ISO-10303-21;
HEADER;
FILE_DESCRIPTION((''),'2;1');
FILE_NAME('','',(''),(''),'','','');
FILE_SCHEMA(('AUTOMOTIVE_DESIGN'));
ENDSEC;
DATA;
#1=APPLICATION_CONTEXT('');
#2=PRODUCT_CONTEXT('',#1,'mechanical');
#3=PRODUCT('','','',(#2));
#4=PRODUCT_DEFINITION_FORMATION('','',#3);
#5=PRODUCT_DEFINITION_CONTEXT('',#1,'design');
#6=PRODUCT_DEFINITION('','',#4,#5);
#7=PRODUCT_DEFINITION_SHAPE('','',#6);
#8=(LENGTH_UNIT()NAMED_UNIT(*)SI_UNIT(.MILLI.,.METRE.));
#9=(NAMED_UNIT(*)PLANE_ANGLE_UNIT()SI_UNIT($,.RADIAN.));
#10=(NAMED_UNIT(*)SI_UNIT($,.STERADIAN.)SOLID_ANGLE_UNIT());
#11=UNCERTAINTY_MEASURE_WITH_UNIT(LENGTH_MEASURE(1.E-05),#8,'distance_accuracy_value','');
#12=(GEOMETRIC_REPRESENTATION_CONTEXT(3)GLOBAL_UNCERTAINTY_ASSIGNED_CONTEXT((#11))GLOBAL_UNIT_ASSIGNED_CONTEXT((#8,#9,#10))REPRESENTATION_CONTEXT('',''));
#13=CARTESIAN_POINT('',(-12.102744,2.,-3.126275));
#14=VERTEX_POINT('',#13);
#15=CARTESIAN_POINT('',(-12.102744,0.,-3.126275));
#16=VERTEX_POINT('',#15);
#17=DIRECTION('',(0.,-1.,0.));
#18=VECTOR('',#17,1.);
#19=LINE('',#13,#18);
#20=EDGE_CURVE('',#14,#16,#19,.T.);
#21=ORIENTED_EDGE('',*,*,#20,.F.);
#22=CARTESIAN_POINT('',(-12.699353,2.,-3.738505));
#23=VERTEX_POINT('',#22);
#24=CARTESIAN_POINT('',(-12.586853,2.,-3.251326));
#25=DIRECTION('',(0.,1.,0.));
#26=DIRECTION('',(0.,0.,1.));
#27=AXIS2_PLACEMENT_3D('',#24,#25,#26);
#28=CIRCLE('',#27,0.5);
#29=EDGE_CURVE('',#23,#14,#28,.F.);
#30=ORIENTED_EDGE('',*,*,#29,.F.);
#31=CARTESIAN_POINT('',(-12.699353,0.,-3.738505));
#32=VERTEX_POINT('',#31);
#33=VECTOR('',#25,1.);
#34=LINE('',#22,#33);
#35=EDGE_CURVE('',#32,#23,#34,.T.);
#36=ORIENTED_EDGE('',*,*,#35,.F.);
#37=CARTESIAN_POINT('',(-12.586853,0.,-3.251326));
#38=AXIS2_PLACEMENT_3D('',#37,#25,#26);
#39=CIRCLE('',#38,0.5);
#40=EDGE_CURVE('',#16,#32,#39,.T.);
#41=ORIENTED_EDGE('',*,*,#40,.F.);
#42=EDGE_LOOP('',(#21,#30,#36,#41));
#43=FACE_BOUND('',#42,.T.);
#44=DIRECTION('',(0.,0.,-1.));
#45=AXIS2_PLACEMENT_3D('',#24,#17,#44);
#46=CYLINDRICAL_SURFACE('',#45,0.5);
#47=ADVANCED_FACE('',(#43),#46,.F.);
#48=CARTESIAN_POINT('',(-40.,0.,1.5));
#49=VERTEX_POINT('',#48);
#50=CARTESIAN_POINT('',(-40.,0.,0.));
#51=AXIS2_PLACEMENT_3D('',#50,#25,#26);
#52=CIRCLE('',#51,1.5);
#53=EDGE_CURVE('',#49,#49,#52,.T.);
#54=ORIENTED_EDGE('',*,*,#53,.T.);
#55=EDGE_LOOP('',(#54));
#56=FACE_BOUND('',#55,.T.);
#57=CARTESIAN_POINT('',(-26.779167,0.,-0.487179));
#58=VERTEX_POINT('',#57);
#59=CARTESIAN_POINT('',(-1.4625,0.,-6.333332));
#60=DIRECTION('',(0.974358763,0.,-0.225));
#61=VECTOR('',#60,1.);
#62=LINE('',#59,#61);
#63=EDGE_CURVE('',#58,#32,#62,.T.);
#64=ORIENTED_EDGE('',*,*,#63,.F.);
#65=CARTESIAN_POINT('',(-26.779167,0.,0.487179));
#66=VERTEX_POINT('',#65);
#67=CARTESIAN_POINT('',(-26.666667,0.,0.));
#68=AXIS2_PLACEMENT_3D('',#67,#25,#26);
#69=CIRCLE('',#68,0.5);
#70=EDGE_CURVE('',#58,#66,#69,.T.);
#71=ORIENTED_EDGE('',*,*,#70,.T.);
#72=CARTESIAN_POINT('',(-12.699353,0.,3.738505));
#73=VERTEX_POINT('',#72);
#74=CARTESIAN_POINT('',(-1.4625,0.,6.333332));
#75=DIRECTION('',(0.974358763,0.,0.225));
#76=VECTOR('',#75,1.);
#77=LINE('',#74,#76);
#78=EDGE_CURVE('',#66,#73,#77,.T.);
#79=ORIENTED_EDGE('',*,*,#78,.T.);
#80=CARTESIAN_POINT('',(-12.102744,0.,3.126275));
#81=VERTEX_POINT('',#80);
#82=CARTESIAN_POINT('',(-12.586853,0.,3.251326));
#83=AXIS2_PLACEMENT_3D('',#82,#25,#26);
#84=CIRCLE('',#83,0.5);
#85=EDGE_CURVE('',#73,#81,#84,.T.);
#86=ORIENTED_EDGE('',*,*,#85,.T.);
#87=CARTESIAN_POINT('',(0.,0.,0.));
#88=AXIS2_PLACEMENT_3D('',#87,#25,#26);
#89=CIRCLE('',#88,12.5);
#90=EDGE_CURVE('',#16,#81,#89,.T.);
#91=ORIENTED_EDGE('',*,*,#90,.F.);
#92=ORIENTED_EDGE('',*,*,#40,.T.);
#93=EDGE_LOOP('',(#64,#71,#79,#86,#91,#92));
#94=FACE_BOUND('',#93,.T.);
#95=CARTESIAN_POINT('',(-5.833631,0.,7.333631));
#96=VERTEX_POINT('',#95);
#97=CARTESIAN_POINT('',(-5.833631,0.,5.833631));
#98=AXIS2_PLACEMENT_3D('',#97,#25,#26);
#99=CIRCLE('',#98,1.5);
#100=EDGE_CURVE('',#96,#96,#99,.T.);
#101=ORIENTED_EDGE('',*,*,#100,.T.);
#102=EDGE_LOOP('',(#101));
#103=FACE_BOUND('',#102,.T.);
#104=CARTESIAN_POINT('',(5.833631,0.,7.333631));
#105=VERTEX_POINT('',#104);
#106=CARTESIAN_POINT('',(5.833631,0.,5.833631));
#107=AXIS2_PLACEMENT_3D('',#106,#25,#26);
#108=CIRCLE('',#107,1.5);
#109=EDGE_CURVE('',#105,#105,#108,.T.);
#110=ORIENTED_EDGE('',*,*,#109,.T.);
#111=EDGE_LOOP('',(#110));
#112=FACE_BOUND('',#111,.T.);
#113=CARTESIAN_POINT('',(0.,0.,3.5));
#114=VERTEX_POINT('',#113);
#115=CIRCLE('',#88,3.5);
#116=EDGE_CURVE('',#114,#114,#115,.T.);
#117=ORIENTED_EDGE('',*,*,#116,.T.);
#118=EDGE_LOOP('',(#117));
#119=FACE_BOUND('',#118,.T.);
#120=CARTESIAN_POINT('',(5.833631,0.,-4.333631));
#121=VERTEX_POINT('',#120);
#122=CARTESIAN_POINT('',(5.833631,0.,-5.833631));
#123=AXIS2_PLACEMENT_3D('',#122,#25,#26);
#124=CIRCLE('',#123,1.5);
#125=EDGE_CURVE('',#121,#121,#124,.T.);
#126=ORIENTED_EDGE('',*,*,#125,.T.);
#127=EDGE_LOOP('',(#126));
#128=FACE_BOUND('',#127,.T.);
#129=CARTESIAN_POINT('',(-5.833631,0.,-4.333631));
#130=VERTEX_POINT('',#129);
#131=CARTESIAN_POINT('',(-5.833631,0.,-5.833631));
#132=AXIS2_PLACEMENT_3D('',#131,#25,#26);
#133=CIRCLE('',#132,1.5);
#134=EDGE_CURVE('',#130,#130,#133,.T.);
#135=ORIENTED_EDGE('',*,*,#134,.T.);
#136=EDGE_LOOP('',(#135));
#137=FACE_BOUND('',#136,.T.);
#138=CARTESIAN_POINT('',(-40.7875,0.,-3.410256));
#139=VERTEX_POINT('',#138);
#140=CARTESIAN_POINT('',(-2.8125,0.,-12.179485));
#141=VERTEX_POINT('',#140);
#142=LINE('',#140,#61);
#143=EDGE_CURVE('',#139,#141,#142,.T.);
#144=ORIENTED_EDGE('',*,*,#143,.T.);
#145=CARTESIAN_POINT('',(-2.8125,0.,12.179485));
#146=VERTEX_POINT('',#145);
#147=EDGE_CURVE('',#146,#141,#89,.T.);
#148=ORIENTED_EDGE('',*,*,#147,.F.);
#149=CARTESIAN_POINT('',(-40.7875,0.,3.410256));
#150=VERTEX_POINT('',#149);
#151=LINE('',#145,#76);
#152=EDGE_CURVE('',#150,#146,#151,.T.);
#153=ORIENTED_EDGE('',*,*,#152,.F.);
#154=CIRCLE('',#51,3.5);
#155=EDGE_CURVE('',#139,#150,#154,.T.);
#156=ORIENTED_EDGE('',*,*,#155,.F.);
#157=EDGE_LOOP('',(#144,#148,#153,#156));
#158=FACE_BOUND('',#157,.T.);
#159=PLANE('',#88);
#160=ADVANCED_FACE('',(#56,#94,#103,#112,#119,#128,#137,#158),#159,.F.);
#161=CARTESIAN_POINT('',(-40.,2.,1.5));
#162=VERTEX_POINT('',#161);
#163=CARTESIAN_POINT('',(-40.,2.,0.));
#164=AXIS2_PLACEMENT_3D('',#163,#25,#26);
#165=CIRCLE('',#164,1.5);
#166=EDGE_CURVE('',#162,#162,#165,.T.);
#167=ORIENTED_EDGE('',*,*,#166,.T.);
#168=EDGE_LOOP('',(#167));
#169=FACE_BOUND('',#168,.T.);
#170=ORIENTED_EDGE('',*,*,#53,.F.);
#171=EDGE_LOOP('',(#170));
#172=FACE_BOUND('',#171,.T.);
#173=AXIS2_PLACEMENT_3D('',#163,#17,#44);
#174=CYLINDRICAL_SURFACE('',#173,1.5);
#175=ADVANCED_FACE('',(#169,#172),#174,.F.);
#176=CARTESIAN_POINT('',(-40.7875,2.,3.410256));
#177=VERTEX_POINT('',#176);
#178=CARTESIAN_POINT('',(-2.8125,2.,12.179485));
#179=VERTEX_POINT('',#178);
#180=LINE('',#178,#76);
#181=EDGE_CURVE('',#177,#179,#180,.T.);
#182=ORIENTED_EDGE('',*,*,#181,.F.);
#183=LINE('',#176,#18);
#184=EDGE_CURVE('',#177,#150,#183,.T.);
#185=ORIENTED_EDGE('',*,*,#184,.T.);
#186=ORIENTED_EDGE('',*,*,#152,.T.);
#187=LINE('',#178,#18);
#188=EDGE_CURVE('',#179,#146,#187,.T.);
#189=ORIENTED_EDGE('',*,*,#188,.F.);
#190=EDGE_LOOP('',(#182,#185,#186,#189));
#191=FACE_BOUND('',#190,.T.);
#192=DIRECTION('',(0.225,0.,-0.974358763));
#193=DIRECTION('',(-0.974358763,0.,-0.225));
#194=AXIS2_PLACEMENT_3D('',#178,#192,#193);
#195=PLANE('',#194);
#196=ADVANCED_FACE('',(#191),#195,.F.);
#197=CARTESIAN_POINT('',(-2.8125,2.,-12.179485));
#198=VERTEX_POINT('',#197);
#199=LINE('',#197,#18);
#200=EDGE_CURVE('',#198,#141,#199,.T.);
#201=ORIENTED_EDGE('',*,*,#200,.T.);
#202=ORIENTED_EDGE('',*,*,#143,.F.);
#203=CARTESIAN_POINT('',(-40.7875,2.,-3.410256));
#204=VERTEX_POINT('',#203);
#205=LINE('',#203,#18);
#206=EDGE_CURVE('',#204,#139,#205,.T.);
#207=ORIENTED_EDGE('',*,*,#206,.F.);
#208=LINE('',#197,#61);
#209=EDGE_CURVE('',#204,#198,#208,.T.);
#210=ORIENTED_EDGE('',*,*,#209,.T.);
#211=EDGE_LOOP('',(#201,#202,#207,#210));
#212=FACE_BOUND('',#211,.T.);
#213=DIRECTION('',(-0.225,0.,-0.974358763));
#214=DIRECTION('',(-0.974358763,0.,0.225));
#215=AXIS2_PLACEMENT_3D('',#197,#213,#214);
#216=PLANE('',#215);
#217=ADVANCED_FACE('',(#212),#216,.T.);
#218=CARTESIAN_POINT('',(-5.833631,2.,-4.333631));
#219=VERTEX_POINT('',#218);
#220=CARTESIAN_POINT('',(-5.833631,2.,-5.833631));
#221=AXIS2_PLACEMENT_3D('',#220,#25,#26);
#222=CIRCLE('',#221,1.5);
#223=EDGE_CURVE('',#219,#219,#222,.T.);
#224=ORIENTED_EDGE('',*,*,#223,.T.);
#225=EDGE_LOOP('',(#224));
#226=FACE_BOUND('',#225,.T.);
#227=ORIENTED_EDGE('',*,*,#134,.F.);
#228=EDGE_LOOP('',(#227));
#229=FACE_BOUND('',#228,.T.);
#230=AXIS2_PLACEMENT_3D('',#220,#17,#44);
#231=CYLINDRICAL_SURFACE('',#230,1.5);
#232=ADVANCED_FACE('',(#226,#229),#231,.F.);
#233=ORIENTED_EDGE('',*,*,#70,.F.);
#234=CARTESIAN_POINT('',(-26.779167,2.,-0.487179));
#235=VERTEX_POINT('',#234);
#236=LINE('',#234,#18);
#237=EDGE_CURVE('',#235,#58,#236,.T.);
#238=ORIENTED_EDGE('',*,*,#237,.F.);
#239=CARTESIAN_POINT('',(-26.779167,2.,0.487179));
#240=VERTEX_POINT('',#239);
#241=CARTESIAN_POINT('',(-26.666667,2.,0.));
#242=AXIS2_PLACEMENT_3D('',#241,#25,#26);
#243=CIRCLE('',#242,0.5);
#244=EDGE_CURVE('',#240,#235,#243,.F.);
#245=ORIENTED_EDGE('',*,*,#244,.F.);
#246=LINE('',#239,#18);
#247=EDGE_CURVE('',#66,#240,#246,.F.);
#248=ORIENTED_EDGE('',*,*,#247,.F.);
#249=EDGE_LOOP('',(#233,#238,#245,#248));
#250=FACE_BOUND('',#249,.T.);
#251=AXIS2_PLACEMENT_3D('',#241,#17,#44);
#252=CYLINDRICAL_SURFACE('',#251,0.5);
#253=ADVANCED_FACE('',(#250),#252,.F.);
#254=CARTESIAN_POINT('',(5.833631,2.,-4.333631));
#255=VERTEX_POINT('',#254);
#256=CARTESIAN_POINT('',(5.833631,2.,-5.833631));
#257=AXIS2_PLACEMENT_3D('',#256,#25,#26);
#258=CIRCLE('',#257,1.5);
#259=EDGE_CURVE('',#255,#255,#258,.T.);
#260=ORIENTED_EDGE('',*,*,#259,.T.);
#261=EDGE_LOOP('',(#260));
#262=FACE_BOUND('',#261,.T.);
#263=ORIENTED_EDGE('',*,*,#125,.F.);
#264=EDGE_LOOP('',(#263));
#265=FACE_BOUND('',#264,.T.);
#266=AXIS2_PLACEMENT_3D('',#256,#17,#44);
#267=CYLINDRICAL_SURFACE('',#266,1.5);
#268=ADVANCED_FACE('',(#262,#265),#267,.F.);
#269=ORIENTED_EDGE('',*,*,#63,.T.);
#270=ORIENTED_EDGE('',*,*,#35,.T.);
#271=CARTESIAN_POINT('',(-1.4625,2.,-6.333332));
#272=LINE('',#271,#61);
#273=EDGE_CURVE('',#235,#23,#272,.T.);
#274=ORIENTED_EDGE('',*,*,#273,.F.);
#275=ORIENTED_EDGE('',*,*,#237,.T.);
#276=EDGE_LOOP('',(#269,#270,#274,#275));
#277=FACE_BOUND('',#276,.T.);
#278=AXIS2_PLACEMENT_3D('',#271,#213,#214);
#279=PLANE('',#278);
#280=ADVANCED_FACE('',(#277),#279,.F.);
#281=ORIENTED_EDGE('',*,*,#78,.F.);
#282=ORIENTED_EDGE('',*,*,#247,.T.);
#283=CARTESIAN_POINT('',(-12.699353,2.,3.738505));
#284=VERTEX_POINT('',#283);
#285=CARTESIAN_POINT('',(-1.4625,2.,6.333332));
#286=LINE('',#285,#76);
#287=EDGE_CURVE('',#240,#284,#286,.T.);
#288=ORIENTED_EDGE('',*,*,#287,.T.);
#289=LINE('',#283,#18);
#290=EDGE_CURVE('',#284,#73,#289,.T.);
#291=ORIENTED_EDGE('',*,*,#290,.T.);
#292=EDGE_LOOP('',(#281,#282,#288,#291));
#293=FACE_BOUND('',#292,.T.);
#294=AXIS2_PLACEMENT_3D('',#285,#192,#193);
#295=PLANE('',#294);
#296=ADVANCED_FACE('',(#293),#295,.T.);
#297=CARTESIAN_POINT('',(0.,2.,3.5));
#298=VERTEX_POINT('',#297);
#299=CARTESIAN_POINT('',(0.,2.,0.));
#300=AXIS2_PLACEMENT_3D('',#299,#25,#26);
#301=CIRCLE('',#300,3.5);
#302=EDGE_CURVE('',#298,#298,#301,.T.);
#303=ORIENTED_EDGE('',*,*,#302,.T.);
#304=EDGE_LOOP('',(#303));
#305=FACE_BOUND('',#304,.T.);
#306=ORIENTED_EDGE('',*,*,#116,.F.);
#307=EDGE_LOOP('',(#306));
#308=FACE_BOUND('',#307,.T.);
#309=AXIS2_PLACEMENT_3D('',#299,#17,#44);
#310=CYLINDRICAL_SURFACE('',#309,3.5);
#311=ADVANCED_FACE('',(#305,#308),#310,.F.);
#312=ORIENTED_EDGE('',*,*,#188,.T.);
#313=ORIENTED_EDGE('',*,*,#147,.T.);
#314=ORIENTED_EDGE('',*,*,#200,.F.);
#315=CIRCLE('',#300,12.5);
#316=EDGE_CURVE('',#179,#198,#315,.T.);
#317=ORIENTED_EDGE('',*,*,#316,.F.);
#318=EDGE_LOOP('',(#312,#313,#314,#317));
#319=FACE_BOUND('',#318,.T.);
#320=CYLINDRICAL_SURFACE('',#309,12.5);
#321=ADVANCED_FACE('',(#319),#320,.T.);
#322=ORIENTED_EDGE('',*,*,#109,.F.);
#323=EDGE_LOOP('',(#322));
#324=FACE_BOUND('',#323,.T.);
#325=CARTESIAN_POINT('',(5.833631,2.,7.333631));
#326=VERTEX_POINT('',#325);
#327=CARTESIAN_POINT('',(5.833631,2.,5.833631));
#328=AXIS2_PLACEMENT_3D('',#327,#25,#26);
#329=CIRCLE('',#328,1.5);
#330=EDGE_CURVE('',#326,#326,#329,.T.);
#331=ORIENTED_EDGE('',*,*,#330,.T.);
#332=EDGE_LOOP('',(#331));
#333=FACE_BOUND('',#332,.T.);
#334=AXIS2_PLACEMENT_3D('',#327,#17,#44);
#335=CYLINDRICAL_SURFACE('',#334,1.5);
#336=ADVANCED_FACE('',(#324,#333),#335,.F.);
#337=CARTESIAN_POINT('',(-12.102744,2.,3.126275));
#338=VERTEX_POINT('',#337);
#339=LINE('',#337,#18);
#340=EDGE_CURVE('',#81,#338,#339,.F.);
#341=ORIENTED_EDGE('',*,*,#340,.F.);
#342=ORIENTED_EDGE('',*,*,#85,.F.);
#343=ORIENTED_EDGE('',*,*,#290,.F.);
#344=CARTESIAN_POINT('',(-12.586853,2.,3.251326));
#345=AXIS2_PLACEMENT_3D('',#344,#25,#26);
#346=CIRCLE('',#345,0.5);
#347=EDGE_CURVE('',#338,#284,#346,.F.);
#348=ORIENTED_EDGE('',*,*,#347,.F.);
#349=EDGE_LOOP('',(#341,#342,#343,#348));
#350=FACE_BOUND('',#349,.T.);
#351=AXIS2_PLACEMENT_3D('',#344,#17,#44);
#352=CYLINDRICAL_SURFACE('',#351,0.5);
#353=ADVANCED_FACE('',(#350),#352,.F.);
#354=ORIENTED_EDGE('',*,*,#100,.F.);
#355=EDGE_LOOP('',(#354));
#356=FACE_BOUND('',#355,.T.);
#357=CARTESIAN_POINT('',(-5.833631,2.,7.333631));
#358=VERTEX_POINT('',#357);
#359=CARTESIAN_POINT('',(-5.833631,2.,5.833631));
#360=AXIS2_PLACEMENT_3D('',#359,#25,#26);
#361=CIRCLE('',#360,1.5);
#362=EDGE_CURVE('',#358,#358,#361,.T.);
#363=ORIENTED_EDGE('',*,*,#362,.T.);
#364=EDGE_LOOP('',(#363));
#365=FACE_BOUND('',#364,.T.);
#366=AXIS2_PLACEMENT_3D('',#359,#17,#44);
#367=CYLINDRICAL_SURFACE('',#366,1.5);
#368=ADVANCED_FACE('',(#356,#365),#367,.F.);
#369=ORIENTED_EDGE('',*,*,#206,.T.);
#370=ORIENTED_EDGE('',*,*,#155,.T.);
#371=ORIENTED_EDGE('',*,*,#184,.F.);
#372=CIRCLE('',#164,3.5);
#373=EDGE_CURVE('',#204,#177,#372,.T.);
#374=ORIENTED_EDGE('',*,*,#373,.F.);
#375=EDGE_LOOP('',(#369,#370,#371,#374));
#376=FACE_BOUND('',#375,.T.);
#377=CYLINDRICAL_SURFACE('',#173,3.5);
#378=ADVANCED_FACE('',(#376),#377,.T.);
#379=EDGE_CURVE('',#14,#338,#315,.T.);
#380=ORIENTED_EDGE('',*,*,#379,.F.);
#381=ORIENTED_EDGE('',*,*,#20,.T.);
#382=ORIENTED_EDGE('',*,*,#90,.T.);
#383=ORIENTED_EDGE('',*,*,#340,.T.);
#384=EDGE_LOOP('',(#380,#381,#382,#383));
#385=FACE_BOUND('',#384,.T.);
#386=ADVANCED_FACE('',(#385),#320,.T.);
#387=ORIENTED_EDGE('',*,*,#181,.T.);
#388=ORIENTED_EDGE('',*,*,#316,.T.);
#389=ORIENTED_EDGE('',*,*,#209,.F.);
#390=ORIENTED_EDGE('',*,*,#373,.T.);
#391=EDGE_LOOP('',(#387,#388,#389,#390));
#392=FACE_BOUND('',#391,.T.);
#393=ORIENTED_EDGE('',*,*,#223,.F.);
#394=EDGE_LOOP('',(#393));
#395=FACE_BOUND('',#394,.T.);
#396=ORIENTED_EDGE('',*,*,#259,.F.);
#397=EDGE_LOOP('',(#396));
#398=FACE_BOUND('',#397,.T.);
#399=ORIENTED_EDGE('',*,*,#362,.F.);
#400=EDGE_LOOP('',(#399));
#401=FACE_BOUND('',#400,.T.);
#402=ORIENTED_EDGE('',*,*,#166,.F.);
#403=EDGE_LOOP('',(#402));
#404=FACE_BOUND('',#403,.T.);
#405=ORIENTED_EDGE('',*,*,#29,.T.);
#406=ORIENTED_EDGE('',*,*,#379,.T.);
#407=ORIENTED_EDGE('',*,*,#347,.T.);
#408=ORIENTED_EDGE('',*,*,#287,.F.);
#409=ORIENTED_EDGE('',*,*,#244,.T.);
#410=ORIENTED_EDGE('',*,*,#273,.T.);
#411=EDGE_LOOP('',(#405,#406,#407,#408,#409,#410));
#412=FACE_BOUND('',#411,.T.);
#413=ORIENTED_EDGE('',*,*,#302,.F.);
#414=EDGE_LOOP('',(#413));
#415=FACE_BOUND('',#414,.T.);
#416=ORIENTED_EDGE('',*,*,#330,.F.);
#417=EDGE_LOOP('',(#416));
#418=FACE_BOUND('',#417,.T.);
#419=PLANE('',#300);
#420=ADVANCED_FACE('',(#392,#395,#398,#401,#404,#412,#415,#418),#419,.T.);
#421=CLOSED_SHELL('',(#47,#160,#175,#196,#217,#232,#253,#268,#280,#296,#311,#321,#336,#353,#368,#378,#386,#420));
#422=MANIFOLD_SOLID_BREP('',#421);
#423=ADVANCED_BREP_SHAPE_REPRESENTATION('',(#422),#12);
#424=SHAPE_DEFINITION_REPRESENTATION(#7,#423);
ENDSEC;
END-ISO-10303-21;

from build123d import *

# Parameters (mm, degrees)
SKETCH_1_R      = 1.5
SKETCH_1_R_2    = 3.5
EXTRUDE_1_DEPTH = 2
FILLET_1_R      = 0.5


with BuildPart() as part:
    # Эскиз1 → Бобышка-Вытянуть1 (new body)
    with BuildSketch(Plane(origin=(0, 0, 0), x_dir=(1, 0, 0), z_dir=(0, 1, 0))):
        with BuildLine():
            Line((-2.8125, 12.179484544), (-40.7875, 3.410255672))
            ThreePointArc((-40.7875, 3.410255672), (-43.5, 0), (-40.7875, -3.410255672))
            Line((-40.7875, -3.410255672), (-2.8125, -12.179484544))
            ThreePointArc((-2.8125, -12.179484544), (12.5, 0), (-2.8125, 12.179484544))
        make_face()
        with BuildLine():
            Line((-11.865804763, -3.930989356), (-28.888888889, 0))
            Line((-28.888888889, 0), (-11.865804763, 3.930989356))
            ThreePointArc((-11.865804763, 3.930989356), (-12.5, 0), (-11.865804763, -3.930989356))
        make_face(mode=Mode.SUBTRACT)
        with Locations((-40, 0)):
            Circle(SKETCH_1_R, mode=Mode.SUBTRACT)
        with Locations((5.833630945, 5.833630945)):
            Circle(SKETCH_1_R, mode=Mode.SUBTRACT)
        Circle(SKETCH_1_R_2, mode=Mode.SUBTRACT)
        with Locations((-5.833630945, -5.833630945)):
            Circle(SKETCH_1_R, mode=Mode.SUBTRACT)
        with Locations((5.833630945, -5.833630945)):
            Circle(SKETCH_1_R, mode=Mode.SUBTRACT)
        with Locations((-5.833630945, 5.833630945)):
            Circle(SKETCH_1_R, mode=Mode.SUBTRACT)
    extrude(amount=EXTRUDE_1_DEPTH)

    # Скругление1
    fillet_1_edges = [part.edges().sort_by_distance(p)[0] for p in [
        (-11.865804763, 1, -3.930989356),
        (-28.888888889, 1, 0),
        (-11.865804763, 1, 3.930989356),
    ]]
    fillet(fillet_1_edges, radius=FILLET_1_R)


solid = part.part
